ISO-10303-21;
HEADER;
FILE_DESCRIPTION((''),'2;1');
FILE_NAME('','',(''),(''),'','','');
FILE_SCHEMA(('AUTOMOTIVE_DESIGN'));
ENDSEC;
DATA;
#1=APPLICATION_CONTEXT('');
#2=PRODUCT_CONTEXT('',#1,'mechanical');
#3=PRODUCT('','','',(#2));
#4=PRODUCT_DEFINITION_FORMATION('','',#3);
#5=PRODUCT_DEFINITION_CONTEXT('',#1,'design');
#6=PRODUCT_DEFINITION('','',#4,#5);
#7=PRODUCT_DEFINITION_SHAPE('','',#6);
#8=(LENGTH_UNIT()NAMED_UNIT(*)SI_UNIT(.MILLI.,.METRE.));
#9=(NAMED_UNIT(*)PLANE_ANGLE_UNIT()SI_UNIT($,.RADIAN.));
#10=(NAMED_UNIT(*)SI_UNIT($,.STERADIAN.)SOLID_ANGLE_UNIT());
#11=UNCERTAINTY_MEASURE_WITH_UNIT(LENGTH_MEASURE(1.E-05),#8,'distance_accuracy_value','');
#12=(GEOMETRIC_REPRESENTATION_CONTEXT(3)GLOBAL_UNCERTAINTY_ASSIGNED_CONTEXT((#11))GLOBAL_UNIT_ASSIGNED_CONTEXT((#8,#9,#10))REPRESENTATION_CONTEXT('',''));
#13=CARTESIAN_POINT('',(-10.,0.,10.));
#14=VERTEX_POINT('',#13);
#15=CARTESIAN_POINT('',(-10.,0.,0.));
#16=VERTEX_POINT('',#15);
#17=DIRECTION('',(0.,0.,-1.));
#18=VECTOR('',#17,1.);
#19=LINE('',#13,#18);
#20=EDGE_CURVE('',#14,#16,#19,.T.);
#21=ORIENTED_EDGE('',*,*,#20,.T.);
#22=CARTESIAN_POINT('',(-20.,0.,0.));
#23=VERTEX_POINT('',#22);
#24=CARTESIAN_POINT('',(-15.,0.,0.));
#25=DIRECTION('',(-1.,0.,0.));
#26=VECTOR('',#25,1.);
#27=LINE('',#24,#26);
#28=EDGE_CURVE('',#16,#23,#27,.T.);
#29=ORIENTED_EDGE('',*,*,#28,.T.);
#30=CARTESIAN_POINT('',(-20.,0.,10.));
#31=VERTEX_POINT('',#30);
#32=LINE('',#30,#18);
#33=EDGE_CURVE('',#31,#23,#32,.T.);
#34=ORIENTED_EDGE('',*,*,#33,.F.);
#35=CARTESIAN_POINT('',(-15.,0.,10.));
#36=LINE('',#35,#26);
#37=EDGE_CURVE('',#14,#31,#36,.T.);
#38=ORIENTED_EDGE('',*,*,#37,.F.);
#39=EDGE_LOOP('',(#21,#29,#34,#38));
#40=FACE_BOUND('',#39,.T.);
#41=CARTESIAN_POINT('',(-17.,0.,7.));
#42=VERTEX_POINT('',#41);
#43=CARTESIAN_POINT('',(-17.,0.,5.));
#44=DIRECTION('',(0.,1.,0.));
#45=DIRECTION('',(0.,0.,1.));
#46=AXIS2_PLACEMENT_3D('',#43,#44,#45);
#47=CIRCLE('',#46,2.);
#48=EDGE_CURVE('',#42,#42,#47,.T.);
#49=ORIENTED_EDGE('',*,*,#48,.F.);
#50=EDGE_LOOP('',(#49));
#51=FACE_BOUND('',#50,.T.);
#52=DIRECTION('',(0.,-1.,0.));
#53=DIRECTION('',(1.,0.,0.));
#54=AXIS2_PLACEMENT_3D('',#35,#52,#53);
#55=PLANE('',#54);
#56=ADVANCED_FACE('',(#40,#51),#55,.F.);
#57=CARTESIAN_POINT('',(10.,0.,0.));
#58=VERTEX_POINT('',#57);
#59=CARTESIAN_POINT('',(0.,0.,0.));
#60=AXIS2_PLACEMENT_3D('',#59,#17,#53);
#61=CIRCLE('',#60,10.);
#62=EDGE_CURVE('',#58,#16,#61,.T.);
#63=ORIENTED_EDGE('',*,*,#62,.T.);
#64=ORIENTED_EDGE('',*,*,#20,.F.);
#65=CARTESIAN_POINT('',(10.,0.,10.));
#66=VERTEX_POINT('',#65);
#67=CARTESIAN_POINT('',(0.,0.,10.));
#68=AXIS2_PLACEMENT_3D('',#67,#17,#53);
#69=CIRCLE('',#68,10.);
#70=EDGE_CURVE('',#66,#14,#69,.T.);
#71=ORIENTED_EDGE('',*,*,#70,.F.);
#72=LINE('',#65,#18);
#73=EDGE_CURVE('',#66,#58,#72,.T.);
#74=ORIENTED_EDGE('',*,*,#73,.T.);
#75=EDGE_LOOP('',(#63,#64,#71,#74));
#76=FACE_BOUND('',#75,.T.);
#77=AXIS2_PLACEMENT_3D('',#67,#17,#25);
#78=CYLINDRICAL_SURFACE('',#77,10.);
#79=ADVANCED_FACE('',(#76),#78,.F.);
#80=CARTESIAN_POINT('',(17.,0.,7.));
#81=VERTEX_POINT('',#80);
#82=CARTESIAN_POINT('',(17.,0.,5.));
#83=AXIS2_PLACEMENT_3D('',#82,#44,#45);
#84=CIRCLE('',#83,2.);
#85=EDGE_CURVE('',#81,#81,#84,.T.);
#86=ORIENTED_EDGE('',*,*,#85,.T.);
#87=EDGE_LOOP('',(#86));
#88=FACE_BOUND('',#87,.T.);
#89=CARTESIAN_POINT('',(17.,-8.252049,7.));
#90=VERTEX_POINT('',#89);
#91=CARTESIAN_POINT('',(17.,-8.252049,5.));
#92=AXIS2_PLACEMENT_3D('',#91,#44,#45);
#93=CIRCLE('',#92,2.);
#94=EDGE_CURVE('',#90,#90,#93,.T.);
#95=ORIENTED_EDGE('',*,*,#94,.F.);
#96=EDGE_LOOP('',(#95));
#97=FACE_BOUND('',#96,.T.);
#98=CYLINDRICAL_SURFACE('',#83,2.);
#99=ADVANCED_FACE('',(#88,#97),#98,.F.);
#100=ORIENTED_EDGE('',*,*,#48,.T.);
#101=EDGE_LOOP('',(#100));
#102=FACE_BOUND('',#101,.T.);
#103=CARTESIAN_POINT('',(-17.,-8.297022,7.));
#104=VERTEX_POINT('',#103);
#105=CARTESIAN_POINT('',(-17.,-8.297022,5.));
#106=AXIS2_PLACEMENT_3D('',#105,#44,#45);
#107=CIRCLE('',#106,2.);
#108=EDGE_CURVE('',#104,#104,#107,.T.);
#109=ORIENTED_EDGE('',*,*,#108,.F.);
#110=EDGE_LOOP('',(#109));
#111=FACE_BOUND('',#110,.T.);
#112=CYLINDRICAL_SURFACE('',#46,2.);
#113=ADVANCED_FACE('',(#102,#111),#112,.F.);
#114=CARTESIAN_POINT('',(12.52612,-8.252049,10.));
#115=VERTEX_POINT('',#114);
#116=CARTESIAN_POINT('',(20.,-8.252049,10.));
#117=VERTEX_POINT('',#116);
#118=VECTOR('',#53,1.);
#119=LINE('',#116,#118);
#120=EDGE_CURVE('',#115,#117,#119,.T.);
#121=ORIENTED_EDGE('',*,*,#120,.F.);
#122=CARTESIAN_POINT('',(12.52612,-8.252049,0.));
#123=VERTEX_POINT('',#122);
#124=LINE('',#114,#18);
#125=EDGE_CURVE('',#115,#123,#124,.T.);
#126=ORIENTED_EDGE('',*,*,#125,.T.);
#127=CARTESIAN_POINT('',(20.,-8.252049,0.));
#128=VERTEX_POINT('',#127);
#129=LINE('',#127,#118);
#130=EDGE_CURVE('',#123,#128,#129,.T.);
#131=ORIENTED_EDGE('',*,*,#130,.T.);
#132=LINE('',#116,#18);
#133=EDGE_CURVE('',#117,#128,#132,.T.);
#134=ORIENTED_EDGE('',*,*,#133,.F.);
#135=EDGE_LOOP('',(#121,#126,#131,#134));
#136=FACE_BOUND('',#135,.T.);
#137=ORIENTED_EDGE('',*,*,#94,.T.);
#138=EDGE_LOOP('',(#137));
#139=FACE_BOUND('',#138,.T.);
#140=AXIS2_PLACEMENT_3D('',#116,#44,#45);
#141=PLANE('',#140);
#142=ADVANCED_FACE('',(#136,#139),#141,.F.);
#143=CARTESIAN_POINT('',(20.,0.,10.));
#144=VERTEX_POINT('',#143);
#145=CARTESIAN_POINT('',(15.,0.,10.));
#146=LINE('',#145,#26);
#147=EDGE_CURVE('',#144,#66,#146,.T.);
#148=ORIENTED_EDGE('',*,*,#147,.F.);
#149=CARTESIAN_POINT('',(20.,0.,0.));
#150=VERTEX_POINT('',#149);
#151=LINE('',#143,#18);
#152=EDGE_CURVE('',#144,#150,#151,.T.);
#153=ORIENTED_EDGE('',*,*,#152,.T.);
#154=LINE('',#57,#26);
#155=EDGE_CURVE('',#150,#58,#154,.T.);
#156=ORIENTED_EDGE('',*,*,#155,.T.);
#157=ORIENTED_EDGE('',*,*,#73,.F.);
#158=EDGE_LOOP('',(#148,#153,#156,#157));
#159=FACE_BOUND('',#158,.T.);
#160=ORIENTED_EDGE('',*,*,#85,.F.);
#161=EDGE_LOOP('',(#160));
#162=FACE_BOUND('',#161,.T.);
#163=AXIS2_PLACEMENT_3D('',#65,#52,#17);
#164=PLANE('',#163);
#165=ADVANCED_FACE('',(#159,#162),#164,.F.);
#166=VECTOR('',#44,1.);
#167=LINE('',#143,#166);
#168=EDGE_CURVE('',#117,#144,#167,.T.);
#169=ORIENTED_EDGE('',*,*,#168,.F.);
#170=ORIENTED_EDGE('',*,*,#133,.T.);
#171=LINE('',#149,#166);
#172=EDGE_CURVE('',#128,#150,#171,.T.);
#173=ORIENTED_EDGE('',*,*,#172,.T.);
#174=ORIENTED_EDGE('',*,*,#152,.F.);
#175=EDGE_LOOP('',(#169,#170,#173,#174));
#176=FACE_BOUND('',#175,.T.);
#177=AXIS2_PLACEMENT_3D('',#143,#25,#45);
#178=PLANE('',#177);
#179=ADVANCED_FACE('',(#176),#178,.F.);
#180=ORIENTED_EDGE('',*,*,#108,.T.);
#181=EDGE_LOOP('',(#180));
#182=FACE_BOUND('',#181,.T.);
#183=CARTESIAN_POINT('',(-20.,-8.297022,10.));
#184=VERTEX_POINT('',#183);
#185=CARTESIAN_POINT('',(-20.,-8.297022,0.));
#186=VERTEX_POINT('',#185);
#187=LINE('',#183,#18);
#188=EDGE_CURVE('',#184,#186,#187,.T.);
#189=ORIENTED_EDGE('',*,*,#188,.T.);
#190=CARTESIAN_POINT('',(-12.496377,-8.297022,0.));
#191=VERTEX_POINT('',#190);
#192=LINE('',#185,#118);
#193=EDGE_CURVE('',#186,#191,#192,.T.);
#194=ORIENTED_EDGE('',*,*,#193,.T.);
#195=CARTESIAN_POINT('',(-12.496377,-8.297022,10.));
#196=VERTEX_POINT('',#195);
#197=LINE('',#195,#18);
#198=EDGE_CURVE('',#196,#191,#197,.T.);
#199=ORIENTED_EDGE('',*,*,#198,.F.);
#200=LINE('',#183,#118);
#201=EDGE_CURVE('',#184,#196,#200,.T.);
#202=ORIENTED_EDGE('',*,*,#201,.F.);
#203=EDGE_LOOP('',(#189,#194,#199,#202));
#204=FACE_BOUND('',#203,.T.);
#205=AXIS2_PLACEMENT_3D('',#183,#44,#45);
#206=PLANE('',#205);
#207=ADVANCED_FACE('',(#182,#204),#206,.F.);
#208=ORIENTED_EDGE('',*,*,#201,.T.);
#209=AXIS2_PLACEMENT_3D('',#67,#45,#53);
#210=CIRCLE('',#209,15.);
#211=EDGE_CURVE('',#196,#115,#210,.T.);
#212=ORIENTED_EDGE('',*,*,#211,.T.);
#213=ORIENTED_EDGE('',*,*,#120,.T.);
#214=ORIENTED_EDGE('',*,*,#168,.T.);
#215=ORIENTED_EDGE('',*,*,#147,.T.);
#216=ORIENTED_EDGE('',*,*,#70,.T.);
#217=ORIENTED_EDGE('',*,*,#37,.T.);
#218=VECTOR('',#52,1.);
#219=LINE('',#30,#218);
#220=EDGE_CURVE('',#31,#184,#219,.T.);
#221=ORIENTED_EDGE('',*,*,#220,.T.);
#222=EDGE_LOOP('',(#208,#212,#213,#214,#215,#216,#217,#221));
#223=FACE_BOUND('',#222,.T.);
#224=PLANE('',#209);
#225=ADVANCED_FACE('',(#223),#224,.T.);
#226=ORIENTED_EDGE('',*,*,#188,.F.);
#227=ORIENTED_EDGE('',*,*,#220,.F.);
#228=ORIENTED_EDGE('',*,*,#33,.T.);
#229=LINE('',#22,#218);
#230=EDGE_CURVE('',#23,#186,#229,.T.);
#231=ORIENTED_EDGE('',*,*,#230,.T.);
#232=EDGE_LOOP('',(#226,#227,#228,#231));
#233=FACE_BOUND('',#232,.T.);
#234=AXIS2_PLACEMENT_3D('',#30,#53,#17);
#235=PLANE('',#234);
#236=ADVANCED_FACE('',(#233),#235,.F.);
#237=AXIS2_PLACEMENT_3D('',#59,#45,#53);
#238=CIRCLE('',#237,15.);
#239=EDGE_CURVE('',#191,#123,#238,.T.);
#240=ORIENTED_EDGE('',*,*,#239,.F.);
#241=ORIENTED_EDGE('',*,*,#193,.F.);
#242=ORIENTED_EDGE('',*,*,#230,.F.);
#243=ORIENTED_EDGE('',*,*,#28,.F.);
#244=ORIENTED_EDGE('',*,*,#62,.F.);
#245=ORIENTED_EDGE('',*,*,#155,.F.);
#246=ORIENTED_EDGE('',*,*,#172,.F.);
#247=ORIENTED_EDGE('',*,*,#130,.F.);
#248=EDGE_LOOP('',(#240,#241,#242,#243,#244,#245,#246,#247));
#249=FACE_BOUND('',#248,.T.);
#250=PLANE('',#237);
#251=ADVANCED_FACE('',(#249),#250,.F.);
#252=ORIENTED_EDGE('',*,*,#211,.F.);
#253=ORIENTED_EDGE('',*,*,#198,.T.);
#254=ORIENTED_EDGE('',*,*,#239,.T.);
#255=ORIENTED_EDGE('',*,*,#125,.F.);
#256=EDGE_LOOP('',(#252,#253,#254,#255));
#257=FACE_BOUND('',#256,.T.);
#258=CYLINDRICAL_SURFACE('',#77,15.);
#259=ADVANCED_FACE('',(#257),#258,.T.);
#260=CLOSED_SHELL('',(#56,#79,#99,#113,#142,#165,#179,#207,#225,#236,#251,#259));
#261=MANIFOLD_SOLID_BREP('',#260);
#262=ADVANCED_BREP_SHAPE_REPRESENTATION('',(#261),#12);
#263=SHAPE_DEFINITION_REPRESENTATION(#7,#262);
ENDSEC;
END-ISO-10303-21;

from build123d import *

# Parameters (mm, degrees)
BOSS_EXTRUDE1_DEPTH = 10


with BuildPart() as part:
    # Sketch1 → Boss-Extrude1 (new body)
    with BuildSketch(Plane.XY):
        with BuildLine():
            Line((-15, 0), (-10, 0))
            ThreePointArc((-10, 0), (0, -10), (10, 0))
            Line((10, 0), (15, 0))
            Line((15, 0), (20, 0))
            Line((20, 0), (20, -8.252048805))
            Line((20, -8.252048805), (12.52612033, -8.252048805))
            ThreePointArc((12.52612033, -8.252048805), (10.716124589, -10.495936061), (8.510293561, -12.352121417))
            ThreePointArc((8.510293561, -12.352121417), (0, -15), (-8.510293561, -12.352121417))
            ThreePointArc((-8.510293561, -12.352121417), (-10.697242908, -10.515179227), (-12.496376594, -8.297021877))
            Line((-12.496376594, -8.297021877), (-20, -8.297021877))
            Line((-20, -8.297021877), (-20, 0))
            Line((-20, 0), (-15, 0))
        make_face()
    extrude(amount=BOSS_EXTRUDE1_DEPTH)

    # Sketch7 → Ø4.0 (4) Diameter Hole2 (revolve, cut)
    with BuildSketch(Plane(origin=(17, 0, 5), x_dir=(0, 0, 1), z_dir=(1, 0, 0))):
        Polygon((0, 0), (0, 11.201721238), (2, 10), (2, 0), align=None)
    f_4_0_4_diameter_hole2 = revolve(axis=Axis((17, 6.35, 5), (0, -1, 0)), mode=Mode.SUBTRACT)

    # Mirror2: Ø4.0 (4) Diameter Hole2 across plane
    add(f_4_0_4_diameter_hole2.mirror(Plane(origin=(0, 0, 0), x_dir=(0, 0, 1), z_dir=(1, 0, 0))), mode=Mode.SUBTRACT)


solid = part.part
